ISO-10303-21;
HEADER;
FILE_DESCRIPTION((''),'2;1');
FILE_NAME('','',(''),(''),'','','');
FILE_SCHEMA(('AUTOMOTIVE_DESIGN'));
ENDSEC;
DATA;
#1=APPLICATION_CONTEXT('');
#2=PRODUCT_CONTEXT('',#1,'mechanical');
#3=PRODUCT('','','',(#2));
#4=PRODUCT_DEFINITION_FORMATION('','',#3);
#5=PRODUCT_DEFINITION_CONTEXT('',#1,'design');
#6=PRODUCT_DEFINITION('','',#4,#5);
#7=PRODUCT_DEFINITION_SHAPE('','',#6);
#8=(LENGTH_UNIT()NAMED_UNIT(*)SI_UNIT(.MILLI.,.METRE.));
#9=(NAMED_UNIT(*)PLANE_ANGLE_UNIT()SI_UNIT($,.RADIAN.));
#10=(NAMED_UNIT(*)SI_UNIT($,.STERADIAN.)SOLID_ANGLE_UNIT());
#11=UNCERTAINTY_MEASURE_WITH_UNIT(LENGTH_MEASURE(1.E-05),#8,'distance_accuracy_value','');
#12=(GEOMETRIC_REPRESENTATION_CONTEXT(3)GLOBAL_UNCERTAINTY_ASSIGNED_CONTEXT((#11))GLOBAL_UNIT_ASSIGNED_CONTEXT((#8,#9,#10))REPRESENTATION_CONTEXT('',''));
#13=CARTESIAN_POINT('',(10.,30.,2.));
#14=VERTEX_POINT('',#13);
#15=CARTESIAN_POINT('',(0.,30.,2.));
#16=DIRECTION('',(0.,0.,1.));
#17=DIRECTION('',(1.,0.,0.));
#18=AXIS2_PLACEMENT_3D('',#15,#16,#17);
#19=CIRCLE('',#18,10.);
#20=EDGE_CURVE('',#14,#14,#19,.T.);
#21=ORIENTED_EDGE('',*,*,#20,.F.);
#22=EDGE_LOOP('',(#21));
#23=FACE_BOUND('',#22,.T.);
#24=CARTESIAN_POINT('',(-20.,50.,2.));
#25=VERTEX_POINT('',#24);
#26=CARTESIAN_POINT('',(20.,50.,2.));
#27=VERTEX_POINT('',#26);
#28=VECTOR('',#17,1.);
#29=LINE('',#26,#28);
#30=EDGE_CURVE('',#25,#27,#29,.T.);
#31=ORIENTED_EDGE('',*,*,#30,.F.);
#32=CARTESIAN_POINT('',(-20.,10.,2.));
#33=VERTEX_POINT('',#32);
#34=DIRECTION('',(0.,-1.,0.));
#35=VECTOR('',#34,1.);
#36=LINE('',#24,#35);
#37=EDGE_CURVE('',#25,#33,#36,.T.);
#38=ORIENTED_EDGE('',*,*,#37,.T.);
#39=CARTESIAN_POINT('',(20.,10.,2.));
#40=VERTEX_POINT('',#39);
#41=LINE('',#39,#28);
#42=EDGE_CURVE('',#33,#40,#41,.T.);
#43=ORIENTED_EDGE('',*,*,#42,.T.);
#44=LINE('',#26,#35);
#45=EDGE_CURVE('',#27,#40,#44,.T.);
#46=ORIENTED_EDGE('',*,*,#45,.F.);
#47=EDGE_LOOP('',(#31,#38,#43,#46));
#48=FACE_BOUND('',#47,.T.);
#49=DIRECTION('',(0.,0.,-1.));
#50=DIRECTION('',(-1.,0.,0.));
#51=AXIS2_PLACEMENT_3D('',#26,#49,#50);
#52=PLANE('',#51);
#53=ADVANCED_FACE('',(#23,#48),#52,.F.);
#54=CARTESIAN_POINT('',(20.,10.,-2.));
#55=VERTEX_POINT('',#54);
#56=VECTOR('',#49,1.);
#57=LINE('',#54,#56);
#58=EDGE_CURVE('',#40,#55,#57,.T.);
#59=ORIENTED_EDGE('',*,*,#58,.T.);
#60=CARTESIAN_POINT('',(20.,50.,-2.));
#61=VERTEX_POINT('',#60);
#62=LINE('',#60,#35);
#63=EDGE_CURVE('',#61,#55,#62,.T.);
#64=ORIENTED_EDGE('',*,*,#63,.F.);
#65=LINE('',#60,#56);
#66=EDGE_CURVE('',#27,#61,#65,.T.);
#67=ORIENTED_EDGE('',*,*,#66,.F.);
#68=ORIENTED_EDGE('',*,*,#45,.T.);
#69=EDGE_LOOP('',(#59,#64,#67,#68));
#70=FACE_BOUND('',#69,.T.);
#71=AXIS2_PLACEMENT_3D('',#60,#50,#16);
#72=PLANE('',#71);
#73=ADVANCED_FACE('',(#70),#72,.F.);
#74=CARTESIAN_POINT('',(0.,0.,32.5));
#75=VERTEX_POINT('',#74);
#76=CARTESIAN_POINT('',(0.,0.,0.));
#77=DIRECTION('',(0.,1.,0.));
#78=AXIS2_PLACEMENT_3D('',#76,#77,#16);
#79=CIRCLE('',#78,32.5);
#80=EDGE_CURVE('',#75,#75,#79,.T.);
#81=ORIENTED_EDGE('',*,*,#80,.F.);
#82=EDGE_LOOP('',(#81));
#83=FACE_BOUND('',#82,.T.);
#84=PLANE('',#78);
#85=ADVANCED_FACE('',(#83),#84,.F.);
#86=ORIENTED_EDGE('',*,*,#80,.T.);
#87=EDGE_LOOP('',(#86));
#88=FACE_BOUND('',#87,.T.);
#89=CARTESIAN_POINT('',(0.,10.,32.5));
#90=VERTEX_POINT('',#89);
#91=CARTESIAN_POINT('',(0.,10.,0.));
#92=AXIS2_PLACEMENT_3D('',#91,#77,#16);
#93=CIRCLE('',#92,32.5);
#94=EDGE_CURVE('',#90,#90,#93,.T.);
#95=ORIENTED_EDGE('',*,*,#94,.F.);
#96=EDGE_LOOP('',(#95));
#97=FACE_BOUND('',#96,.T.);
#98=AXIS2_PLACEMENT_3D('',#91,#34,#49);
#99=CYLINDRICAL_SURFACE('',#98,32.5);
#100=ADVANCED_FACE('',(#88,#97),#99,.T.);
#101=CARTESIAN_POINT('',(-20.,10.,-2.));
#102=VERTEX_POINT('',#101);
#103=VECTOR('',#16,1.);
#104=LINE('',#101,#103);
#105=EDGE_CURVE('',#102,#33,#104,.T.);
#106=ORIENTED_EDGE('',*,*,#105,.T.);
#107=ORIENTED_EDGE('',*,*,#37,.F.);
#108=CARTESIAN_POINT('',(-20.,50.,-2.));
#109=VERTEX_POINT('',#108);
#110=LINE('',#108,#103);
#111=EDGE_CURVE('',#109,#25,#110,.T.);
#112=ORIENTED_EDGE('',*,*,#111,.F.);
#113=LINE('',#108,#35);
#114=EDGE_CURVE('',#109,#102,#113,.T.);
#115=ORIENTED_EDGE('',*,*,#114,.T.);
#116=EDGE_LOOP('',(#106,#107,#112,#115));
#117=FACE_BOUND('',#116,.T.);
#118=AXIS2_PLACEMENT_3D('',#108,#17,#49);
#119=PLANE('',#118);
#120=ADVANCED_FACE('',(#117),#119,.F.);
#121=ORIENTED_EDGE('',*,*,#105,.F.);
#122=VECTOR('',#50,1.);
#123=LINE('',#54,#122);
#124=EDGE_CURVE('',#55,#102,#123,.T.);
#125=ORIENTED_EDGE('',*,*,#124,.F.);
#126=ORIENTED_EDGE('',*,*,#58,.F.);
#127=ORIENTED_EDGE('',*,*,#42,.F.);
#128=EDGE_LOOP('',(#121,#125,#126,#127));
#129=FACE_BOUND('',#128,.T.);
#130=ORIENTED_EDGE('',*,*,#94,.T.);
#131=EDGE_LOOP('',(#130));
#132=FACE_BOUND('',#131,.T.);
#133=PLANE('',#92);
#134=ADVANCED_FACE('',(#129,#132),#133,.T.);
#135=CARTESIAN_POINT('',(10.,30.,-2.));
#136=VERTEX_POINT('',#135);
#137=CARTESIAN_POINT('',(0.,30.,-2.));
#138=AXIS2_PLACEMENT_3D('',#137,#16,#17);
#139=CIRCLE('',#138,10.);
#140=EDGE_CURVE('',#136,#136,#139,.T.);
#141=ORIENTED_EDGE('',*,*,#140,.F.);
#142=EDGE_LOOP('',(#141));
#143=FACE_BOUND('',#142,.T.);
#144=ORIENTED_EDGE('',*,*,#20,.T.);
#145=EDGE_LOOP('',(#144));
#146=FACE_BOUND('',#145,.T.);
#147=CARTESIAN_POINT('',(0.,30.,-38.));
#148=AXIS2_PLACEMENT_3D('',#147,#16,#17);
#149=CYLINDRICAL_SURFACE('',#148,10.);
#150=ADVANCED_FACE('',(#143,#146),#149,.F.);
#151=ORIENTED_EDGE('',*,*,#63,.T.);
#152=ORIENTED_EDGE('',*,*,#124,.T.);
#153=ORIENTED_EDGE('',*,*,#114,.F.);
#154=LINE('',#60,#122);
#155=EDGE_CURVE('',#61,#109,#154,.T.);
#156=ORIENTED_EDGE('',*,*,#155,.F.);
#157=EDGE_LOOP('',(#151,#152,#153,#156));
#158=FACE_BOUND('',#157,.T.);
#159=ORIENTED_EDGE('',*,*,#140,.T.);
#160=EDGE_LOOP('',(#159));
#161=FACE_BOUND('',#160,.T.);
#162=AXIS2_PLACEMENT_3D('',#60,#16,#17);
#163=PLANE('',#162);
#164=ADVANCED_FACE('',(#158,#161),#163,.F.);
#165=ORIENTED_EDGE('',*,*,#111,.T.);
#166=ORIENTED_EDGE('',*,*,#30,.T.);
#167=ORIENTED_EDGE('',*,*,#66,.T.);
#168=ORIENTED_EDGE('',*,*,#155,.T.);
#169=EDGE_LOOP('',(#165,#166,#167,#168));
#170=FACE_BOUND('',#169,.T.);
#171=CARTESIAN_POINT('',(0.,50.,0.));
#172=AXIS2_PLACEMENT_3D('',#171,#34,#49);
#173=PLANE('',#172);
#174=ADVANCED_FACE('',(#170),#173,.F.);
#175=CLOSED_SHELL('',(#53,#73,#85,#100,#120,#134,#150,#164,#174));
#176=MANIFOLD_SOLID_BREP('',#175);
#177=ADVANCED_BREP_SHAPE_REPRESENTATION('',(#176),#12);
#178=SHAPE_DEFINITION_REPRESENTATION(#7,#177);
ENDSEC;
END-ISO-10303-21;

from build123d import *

# Parameters (mm, degrees)
SKETCH1_R           = 32.5
BOSS_EXTRUDE1_DEPTH = 10
SKETCH4_W           = 40
SKETCH4_H           = 4
BOSS_EXTRUDE3_DEPTH = 40
SKETCH5_R           = 10
CUT_EXTRUDE2_DEPTH  = 40


with BuildPart() as part:
    # Sketch1 → Boss-Extrude1 (new body)
    with BuildSketch(Plane(origin=(0, 0, 0), x_dir=(1, 0, 0), z_dir=(0, 1, 0))):
        with Locations(Location((0, 0, 0), (0, 0, 270))):
            Circle(SKETCH1_R)
    extrude(amount=BOSS_EXTRUDE1_DEPTH)

    # Sketch4 → Boss-Extrude3 (add)
    with BuildSketch(Plane(origin=(0, 10, 0), x_dir=(1, 0, 0), z_dir=(0, 1, 0))):
        Rectangle(SKETCH4_W, SKETCH4_H)
    extrude(amount=BOSS_EXTRUDE3_DEPTH)

    # Sketch5 → Cut-Extrude2 (cut)
    with BuildSketch(Plane.XY.offset(2)):
        with Locations((0, 30)):
            Circle(SKETCH5_R)
    extrude(amount=-CUT_EXTRUDE2_DEPTH, mode=Mode.SUBTRACT)


solid = part.part
